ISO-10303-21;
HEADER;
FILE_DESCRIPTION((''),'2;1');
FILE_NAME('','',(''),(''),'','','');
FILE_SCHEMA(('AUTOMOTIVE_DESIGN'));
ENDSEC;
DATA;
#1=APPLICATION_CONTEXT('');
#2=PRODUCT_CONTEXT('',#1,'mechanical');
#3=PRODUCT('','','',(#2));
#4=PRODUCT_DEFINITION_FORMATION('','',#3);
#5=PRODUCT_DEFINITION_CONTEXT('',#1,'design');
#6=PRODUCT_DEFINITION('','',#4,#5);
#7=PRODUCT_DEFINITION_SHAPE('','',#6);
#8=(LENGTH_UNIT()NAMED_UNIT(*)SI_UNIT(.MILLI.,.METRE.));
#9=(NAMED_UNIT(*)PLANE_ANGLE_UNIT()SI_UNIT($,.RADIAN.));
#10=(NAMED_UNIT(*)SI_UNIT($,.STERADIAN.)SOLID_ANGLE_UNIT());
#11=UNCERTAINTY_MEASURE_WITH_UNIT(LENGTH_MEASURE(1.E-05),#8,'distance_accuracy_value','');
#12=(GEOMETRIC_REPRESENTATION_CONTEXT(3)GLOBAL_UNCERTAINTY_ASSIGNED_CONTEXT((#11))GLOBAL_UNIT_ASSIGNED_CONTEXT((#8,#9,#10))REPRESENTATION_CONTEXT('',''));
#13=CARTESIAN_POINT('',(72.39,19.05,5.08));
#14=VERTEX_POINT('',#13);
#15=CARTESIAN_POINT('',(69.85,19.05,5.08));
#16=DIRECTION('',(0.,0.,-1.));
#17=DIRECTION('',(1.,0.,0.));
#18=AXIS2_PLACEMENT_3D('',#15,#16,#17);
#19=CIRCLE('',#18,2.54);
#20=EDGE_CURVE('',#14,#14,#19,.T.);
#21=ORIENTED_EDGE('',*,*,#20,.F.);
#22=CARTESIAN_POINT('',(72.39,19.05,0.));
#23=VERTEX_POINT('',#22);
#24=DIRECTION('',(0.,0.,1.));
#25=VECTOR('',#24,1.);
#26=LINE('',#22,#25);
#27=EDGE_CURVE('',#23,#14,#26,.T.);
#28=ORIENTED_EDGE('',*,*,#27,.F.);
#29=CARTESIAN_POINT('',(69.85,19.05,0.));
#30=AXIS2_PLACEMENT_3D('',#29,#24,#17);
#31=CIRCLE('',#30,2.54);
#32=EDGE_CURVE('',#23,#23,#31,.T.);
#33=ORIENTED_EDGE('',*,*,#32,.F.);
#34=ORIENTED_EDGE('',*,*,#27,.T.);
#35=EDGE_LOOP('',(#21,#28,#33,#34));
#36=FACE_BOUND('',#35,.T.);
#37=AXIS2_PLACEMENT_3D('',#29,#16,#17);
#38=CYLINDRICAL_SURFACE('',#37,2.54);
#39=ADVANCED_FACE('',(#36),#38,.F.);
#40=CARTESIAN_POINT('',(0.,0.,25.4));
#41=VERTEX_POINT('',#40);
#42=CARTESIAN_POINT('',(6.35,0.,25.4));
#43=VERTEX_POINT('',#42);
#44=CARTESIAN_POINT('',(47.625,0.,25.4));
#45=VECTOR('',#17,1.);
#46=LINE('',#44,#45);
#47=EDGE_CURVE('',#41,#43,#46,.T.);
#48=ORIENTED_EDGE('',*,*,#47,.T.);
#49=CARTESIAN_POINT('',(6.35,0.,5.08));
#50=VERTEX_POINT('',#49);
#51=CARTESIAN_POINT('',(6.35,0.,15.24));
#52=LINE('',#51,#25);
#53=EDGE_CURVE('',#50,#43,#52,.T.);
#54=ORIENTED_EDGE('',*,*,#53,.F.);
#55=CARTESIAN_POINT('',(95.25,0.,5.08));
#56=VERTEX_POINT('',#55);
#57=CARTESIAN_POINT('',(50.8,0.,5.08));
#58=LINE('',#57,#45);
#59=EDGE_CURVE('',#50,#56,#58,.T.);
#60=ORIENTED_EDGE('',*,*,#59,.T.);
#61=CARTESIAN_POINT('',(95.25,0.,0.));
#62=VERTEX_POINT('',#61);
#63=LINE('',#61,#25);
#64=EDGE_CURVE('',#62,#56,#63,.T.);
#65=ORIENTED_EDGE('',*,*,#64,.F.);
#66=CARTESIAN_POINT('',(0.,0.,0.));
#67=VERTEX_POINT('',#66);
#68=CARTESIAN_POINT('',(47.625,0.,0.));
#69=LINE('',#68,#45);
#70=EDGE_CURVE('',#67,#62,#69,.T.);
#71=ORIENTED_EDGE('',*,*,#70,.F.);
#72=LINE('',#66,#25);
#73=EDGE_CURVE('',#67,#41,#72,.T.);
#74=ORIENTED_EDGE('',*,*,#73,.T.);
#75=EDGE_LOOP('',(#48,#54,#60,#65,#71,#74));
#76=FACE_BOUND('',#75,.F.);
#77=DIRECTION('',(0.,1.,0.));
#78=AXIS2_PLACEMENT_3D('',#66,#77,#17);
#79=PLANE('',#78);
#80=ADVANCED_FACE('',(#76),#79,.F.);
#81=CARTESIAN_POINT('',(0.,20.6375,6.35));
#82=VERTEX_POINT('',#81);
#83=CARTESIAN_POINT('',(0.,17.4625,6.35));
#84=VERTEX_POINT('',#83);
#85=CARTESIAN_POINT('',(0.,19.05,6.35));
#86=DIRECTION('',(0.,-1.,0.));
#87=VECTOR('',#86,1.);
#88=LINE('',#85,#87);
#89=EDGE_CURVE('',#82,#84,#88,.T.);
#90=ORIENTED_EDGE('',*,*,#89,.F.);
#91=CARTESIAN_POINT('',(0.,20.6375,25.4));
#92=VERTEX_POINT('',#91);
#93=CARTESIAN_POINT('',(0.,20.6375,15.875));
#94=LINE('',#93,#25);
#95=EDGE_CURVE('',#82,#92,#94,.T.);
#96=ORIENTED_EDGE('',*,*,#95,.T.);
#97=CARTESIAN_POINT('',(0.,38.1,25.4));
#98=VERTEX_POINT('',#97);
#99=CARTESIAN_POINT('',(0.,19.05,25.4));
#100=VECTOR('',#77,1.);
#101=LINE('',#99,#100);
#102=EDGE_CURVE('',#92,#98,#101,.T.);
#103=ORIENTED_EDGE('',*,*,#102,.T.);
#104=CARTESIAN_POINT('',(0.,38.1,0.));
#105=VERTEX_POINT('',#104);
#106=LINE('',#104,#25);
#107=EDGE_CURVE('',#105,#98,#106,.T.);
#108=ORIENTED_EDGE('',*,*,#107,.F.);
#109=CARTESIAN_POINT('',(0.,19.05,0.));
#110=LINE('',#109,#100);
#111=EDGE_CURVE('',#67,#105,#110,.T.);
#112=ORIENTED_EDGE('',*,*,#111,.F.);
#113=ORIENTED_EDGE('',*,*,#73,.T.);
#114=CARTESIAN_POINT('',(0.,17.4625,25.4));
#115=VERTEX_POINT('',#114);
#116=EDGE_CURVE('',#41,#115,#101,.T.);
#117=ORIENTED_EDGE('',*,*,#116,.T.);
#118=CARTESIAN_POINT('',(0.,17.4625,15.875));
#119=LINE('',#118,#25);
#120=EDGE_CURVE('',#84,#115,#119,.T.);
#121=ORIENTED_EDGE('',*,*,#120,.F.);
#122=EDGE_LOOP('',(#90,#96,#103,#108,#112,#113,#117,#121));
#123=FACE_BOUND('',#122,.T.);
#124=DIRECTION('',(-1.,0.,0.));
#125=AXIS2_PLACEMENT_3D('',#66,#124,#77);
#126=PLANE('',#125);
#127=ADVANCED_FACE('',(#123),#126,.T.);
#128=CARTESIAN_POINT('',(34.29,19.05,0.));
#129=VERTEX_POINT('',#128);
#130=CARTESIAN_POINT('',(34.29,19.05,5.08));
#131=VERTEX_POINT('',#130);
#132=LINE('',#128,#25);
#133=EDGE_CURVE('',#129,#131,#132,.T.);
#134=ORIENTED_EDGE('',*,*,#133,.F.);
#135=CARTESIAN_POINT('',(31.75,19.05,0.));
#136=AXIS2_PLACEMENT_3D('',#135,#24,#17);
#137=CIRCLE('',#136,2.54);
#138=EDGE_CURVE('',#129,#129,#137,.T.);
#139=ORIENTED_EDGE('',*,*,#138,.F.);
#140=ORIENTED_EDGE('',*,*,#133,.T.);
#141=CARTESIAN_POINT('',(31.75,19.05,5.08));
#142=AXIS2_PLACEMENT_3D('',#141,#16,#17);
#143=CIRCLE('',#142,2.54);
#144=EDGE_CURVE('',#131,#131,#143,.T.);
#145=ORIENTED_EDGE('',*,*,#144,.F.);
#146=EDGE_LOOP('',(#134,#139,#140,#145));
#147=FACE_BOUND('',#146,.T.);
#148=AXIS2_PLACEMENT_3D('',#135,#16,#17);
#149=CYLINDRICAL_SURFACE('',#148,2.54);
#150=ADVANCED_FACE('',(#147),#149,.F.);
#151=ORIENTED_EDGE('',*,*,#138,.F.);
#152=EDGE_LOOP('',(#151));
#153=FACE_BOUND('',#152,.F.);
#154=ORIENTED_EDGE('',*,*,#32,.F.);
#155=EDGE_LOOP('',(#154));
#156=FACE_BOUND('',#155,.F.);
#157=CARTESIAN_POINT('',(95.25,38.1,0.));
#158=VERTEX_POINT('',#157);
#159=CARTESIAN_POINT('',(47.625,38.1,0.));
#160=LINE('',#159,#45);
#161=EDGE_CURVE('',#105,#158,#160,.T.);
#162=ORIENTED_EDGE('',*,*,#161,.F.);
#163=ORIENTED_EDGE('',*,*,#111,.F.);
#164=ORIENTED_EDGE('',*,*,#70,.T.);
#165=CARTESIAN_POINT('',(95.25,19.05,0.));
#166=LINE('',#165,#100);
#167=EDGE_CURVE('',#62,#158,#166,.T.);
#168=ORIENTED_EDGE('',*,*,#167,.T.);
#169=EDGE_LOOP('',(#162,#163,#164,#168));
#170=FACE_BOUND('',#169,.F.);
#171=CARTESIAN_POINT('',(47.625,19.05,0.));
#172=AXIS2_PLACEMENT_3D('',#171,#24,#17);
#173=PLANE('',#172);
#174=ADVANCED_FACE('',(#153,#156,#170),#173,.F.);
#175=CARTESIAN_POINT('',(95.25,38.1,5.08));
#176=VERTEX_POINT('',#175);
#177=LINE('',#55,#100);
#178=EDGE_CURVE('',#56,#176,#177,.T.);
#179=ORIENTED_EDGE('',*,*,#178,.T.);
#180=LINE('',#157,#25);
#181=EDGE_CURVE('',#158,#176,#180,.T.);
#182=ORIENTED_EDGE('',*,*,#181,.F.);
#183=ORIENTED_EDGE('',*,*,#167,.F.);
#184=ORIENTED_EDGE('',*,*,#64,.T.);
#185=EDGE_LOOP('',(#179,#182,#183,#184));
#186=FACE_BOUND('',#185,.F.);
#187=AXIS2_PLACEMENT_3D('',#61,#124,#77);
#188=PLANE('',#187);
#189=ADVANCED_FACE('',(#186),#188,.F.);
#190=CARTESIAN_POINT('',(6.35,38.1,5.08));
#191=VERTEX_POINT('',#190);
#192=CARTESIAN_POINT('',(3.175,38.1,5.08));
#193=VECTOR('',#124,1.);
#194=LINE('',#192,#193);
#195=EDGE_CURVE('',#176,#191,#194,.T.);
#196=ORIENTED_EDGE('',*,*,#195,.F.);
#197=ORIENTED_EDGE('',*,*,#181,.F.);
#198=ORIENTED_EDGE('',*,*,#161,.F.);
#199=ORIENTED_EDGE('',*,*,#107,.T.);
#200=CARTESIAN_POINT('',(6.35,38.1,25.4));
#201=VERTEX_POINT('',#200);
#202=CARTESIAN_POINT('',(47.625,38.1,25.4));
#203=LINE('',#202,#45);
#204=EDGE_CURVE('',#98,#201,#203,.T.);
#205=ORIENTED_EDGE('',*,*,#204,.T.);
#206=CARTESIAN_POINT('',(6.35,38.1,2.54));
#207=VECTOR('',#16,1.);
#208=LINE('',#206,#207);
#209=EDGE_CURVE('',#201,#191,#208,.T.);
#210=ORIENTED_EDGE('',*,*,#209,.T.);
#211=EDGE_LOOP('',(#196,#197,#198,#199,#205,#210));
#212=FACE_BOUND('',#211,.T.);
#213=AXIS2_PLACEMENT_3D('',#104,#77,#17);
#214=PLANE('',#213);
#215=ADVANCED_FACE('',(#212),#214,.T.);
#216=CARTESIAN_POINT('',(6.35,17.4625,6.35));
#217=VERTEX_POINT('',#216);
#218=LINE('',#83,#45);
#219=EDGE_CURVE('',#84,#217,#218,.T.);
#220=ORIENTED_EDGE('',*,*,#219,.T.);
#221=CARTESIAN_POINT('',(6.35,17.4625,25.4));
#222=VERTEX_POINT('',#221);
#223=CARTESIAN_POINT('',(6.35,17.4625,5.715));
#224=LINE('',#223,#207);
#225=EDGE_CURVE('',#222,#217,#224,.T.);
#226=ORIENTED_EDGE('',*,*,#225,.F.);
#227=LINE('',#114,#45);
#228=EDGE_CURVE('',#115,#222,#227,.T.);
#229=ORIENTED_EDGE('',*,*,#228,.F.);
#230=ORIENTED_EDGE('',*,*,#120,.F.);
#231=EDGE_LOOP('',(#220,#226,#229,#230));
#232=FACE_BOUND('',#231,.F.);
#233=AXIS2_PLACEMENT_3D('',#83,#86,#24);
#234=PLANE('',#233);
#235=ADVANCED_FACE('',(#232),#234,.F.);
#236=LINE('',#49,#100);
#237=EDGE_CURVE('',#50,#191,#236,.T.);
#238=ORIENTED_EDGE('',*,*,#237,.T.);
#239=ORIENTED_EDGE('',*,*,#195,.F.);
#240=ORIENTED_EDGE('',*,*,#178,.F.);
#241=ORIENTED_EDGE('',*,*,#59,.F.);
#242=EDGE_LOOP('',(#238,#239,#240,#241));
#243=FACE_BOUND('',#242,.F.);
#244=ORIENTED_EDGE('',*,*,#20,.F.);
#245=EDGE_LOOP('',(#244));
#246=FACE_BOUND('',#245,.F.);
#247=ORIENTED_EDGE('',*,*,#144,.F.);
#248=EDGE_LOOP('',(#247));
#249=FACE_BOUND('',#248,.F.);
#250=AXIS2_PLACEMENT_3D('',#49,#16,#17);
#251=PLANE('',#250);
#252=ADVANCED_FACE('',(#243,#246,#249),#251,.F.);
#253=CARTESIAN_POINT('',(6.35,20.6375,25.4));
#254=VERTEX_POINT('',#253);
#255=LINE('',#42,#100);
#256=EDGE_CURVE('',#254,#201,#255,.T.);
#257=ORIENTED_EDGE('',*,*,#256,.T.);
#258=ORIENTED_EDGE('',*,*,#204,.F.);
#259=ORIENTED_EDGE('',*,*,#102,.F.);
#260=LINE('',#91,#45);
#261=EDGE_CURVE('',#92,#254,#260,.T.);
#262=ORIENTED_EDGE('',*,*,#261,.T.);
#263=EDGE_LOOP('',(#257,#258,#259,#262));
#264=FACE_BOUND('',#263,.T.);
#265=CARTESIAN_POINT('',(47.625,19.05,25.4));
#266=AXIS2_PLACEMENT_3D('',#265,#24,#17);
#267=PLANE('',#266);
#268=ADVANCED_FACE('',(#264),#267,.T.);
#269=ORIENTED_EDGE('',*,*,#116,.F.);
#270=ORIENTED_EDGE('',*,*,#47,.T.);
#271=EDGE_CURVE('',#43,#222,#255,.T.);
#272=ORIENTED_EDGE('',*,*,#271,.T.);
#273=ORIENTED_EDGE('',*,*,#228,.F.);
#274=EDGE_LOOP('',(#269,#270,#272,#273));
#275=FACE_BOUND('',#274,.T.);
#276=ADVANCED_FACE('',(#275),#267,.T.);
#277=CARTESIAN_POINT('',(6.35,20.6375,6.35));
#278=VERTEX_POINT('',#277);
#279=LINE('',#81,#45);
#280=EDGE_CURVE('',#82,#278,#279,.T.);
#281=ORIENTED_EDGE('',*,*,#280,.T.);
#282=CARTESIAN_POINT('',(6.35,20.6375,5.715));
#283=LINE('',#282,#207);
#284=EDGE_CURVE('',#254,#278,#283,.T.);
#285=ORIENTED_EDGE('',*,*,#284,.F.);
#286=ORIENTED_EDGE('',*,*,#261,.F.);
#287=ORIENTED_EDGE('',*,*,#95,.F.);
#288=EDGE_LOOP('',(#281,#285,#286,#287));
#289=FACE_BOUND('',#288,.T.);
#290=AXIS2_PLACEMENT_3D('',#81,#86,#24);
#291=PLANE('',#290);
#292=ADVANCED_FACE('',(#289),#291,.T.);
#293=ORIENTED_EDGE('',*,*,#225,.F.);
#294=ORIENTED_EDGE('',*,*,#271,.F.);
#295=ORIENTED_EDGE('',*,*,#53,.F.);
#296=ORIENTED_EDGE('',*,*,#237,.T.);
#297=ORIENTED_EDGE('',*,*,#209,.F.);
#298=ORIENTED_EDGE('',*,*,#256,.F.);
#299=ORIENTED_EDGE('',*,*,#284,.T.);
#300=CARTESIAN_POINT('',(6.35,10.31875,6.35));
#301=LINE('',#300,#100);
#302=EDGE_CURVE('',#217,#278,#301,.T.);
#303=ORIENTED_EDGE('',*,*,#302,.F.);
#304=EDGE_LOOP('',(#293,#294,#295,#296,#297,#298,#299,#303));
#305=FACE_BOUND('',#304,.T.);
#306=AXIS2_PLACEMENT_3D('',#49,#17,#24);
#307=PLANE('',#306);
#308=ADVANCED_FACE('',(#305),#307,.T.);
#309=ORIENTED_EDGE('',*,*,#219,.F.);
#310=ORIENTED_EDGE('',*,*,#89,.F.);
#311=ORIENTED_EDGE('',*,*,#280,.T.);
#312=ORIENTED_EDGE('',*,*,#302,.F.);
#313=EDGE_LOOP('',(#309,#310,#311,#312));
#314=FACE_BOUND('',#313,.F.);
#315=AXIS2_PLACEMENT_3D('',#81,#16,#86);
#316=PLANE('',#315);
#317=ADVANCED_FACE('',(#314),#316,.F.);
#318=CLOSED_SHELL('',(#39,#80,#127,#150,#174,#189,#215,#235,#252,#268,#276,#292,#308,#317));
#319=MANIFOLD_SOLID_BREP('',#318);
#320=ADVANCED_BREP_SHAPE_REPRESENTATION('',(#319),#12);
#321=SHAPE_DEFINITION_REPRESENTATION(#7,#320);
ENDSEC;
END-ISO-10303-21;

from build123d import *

# Parameters (mm, degrees)
F0_W     = 95.25
F0_H     = 38.1
F0_R     = 2.54
F1_DEPTH = 25.4
F2_W     = 88.9
F2_H     = 20.32
F3_DEPTH = 38.101
F4_W     = 3.175
F4_H     = 19.05
F5_DEPTH = 25.4


with BuildPart() as f1:
    # F0 (on Top) → F1 (new body)
    with BuildSketch(Plane.XY):
        with Locations((47.625, 19.05)):
            Rectangle(F0_W, F0_H)
        with Locations((31.75, 19.05)):
            Circle(F0_R, mode=Mode.SUBTRACT)
        with Locations((69.85, 19.05)):
            Circle(F0_R, mode=Mode.SUBTRACT)
    extrude(amount=F1_DEPTH)

    # F2 (on face) → F3 (cut, through all)
    with BuildSketch(Plane.XZ):
        with Locations((50.8, 15.24)):
            Rectangle(F2_W, F2_H)
    extrude(amount=-F3_DEPTH, mode=Mode.SUBTRACT)

    # F4 (on face) → F5 (cut)
    with BuildSketch(Plane(origin=(0, 0, 0), x_dir=(0, -1, 0), z_dir=(-1, 0, 0))):
        with Locations((-19.05, 15.875)):
            Rectangle(F4_W, F4_H)
    extrude(amount=-F5_DEPTH, mode=Mode.SUBTRACT)


solid = f1.part
